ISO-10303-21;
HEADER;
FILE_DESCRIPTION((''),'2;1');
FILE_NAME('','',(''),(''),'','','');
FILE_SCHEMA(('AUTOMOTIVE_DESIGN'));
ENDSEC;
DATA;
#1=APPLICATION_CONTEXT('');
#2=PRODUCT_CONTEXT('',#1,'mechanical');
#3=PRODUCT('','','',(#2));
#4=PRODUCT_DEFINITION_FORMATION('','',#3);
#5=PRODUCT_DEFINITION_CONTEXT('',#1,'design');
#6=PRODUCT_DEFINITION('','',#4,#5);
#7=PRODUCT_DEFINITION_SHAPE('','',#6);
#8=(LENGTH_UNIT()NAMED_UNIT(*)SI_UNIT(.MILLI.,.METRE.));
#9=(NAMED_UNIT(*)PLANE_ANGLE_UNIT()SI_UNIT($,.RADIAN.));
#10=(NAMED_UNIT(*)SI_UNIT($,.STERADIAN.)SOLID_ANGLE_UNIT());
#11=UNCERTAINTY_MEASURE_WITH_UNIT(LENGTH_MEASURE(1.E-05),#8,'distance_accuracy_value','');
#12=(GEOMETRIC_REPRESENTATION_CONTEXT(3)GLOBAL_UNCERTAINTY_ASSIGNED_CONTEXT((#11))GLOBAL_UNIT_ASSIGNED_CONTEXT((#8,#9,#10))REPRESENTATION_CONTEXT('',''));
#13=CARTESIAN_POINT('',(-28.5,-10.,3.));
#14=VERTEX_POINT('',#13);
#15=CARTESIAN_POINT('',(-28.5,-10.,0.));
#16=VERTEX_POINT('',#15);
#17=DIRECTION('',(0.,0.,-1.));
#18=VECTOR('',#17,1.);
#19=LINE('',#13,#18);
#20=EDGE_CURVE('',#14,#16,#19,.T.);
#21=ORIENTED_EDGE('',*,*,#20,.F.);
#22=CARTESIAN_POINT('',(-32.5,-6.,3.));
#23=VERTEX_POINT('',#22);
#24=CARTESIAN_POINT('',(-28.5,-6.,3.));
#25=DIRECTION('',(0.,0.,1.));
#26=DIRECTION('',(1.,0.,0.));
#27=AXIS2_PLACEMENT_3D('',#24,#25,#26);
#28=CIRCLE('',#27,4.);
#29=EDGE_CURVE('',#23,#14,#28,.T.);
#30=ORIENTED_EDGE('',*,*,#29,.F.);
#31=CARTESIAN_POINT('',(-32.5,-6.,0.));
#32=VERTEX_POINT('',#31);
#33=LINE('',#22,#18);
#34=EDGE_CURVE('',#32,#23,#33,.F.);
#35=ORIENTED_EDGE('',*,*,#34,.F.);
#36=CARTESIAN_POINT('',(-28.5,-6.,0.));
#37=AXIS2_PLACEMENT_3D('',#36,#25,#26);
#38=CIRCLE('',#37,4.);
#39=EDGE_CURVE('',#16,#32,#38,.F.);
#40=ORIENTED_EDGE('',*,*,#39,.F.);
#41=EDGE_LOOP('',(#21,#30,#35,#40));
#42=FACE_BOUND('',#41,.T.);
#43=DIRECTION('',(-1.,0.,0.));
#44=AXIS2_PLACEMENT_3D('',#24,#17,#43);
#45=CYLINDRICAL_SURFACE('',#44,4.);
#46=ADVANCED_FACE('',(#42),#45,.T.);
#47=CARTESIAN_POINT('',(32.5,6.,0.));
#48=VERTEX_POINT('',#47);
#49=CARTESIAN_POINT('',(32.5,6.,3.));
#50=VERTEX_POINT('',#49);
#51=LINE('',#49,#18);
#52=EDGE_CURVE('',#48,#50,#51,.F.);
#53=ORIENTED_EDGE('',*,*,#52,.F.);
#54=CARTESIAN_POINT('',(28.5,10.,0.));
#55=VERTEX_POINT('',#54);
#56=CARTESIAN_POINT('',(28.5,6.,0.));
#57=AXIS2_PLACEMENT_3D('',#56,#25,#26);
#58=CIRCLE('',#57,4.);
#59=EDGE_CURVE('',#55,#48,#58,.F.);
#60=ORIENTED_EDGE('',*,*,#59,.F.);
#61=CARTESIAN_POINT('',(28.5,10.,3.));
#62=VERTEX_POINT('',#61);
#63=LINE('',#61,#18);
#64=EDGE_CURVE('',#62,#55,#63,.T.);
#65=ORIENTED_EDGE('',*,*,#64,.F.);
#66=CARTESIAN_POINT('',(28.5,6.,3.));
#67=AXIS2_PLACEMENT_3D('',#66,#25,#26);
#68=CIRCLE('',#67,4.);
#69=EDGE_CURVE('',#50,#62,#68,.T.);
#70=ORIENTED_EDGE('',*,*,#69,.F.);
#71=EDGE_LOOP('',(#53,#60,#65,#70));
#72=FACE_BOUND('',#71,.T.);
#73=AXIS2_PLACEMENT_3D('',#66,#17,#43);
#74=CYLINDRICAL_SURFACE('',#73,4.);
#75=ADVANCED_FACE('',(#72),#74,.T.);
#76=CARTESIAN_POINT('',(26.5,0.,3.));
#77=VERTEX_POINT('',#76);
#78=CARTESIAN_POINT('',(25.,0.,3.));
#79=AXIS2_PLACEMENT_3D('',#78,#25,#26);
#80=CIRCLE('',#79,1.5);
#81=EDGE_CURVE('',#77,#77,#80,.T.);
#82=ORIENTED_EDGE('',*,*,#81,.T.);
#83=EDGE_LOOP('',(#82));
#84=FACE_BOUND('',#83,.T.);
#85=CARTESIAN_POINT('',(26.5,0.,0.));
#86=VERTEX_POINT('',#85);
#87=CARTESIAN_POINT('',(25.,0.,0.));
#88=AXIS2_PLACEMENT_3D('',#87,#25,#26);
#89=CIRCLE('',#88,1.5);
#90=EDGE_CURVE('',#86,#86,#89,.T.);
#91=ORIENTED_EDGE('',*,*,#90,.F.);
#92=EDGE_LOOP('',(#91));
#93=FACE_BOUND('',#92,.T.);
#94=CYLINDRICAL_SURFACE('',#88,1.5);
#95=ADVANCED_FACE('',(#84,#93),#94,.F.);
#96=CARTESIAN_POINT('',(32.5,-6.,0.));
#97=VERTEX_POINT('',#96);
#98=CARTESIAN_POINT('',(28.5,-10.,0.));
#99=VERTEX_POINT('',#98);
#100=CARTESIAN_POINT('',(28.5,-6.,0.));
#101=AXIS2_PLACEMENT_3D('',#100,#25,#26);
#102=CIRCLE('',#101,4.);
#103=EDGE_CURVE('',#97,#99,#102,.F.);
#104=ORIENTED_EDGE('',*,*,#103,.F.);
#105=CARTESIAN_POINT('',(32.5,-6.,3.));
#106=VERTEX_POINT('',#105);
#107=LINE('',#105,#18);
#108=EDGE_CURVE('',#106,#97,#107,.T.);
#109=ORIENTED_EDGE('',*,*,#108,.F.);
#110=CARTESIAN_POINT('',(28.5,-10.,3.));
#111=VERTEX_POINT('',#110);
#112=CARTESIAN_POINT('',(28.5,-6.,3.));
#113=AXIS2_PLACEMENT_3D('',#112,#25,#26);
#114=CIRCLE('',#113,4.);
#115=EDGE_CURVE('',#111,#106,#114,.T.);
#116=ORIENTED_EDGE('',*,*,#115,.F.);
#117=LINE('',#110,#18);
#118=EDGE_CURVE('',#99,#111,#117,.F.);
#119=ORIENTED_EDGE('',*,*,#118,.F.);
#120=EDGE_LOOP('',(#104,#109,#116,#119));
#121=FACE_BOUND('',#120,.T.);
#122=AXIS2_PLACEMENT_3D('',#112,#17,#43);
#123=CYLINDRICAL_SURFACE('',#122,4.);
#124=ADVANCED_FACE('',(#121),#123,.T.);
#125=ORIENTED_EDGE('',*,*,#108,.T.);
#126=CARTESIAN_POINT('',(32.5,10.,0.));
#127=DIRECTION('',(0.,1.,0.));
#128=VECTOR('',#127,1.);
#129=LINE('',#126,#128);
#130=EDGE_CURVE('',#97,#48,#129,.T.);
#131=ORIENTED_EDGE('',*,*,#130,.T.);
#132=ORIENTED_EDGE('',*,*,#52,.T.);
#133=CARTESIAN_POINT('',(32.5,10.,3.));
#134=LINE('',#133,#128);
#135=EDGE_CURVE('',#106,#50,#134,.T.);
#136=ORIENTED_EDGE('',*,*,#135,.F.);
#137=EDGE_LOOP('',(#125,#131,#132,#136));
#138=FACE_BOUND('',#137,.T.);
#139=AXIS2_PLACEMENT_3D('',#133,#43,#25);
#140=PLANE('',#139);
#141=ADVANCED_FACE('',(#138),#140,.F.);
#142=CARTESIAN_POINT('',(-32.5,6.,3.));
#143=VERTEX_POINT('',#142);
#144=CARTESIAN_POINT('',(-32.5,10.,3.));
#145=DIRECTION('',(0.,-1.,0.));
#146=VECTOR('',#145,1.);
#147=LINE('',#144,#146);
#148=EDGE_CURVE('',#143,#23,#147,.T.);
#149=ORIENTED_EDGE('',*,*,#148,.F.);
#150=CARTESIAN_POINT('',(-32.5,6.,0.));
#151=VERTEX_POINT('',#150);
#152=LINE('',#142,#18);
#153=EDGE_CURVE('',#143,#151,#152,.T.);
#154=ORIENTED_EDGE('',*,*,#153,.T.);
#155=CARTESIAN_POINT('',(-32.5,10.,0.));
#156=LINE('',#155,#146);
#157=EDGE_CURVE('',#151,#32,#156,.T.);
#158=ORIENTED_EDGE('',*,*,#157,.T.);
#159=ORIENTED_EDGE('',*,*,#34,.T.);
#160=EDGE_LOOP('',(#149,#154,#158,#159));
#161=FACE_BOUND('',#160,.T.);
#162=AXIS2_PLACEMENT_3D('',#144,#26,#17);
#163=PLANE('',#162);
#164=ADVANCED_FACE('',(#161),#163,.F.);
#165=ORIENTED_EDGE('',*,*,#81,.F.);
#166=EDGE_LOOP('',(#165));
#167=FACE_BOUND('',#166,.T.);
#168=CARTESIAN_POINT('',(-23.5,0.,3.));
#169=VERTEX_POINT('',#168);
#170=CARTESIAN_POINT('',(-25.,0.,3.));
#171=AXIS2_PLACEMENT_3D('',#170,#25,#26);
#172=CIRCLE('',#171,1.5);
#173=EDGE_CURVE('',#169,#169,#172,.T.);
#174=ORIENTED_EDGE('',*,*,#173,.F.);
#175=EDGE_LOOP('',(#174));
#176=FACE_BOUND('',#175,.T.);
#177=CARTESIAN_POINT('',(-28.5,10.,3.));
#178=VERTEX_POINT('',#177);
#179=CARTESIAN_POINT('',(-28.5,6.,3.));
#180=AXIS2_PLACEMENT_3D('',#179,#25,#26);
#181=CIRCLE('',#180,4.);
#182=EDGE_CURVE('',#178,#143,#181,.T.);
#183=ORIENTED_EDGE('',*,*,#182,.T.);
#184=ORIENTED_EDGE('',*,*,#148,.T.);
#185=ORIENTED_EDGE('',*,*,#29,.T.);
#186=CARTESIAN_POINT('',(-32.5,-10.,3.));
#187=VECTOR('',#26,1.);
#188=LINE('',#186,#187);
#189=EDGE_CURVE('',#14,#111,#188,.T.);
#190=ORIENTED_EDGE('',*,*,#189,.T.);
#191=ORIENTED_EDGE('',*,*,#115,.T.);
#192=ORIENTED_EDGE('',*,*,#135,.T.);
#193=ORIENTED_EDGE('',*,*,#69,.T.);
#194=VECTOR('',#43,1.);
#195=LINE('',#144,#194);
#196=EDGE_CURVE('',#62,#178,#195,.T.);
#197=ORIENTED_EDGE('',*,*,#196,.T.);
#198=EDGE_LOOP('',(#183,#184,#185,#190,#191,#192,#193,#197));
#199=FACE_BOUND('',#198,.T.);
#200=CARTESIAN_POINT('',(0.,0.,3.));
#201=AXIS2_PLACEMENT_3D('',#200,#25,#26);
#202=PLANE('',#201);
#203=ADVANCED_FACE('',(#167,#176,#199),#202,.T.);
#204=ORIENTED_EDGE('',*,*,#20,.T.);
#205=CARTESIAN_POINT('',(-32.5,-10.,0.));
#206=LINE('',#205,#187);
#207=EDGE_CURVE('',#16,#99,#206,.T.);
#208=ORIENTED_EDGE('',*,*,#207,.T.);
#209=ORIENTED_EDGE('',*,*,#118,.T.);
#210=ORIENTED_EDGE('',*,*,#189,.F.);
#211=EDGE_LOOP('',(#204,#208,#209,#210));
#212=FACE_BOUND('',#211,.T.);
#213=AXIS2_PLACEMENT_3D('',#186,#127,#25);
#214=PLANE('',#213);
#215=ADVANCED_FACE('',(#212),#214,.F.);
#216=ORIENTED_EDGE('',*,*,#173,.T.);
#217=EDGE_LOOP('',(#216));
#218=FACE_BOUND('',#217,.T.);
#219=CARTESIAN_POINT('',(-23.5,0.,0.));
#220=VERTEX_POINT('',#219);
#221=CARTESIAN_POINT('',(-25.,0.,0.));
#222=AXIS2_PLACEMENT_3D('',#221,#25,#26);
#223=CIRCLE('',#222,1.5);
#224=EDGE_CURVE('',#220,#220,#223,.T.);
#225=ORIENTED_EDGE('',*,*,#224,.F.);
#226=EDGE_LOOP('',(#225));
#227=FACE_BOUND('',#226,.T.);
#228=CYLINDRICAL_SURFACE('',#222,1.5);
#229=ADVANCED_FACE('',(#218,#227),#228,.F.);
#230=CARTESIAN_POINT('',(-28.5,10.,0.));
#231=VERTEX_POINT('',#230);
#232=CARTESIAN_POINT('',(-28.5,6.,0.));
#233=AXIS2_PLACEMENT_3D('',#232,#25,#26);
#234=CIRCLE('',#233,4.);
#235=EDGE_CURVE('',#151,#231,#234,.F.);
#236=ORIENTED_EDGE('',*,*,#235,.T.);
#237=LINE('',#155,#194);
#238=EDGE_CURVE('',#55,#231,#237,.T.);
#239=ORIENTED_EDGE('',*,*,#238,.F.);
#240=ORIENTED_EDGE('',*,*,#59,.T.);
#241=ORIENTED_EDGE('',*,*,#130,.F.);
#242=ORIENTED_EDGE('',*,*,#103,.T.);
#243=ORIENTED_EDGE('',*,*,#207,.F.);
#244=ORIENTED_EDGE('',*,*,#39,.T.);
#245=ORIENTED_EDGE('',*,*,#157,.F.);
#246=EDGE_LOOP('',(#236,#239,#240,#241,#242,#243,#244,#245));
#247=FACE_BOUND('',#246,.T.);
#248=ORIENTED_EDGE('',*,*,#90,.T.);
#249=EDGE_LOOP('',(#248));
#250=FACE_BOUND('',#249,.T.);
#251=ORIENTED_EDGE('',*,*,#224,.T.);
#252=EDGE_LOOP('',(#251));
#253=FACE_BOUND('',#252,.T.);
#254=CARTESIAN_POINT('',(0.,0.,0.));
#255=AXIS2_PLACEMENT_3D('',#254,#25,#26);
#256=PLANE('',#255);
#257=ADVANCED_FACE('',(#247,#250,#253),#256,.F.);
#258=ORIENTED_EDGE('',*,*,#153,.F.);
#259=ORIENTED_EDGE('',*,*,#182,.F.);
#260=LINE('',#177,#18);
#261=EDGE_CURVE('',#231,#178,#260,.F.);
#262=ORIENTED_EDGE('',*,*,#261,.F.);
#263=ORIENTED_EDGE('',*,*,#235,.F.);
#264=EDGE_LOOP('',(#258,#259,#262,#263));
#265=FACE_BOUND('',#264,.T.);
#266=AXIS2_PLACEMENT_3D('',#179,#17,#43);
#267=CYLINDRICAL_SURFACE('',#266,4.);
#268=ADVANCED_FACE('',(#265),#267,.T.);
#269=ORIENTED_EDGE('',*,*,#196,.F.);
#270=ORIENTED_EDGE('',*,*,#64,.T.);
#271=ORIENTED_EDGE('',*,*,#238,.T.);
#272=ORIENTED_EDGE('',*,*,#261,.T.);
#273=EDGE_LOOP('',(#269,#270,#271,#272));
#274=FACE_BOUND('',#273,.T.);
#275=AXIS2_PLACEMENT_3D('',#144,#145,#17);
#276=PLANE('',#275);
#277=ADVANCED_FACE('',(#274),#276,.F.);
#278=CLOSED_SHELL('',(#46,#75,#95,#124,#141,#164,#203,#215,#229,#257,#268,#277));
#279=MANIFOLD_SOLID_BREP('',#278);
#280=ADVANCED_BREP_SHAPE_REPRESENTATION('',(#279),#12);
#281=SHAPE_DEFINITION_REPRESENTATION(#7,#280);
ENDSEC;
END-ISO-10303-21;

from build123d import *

# Parameters (mm, degrees)
SKETCH_1_W          = 65
SKETCH_1_H          = 20
EXTRUDE_1_DEPTH     = 3
SKETCH_2_R          = 1.5
CUT_EXTRUDE_1_DEPTH = 3
FILLET_1_R          = 4


with BuildPart() as part:
    # 草图1 → 凸台-拉伸1 (new body)
    with BuildSketch(Plane.XY):
        Rectangle(SKETCH_1_W, SKETCH_1_H)
    extrude(amount=EXTRUDE_1_DEPTH)

    # 草图2 → 切除-拉伸1 (cut)
    with BuildSketch(Plane.XY.offset(3)):
        with Locations((25, 0)):
            Circle(SKETCH_2_R)
        with Locations((-25, 0)):
            Circle(SKETCH_2_R)
    extrude(amount=-CUT_EXTRUDE_1_DEPTH, mode=Mode.SUBTRACT)

    # 圆角1
    fillet_1_edges = [part.edges().sort_by_distance(p)[0] for p in [
        (-32.5, 10, 1.5),
        (32.5, 10, 1.5),
        (32.5, -10, 1.5),
        (-32.5, -10, 1.5),
    ]]
    fillet(fillet_1_edges, radius=FILLET_1_R)


solid = part.part
